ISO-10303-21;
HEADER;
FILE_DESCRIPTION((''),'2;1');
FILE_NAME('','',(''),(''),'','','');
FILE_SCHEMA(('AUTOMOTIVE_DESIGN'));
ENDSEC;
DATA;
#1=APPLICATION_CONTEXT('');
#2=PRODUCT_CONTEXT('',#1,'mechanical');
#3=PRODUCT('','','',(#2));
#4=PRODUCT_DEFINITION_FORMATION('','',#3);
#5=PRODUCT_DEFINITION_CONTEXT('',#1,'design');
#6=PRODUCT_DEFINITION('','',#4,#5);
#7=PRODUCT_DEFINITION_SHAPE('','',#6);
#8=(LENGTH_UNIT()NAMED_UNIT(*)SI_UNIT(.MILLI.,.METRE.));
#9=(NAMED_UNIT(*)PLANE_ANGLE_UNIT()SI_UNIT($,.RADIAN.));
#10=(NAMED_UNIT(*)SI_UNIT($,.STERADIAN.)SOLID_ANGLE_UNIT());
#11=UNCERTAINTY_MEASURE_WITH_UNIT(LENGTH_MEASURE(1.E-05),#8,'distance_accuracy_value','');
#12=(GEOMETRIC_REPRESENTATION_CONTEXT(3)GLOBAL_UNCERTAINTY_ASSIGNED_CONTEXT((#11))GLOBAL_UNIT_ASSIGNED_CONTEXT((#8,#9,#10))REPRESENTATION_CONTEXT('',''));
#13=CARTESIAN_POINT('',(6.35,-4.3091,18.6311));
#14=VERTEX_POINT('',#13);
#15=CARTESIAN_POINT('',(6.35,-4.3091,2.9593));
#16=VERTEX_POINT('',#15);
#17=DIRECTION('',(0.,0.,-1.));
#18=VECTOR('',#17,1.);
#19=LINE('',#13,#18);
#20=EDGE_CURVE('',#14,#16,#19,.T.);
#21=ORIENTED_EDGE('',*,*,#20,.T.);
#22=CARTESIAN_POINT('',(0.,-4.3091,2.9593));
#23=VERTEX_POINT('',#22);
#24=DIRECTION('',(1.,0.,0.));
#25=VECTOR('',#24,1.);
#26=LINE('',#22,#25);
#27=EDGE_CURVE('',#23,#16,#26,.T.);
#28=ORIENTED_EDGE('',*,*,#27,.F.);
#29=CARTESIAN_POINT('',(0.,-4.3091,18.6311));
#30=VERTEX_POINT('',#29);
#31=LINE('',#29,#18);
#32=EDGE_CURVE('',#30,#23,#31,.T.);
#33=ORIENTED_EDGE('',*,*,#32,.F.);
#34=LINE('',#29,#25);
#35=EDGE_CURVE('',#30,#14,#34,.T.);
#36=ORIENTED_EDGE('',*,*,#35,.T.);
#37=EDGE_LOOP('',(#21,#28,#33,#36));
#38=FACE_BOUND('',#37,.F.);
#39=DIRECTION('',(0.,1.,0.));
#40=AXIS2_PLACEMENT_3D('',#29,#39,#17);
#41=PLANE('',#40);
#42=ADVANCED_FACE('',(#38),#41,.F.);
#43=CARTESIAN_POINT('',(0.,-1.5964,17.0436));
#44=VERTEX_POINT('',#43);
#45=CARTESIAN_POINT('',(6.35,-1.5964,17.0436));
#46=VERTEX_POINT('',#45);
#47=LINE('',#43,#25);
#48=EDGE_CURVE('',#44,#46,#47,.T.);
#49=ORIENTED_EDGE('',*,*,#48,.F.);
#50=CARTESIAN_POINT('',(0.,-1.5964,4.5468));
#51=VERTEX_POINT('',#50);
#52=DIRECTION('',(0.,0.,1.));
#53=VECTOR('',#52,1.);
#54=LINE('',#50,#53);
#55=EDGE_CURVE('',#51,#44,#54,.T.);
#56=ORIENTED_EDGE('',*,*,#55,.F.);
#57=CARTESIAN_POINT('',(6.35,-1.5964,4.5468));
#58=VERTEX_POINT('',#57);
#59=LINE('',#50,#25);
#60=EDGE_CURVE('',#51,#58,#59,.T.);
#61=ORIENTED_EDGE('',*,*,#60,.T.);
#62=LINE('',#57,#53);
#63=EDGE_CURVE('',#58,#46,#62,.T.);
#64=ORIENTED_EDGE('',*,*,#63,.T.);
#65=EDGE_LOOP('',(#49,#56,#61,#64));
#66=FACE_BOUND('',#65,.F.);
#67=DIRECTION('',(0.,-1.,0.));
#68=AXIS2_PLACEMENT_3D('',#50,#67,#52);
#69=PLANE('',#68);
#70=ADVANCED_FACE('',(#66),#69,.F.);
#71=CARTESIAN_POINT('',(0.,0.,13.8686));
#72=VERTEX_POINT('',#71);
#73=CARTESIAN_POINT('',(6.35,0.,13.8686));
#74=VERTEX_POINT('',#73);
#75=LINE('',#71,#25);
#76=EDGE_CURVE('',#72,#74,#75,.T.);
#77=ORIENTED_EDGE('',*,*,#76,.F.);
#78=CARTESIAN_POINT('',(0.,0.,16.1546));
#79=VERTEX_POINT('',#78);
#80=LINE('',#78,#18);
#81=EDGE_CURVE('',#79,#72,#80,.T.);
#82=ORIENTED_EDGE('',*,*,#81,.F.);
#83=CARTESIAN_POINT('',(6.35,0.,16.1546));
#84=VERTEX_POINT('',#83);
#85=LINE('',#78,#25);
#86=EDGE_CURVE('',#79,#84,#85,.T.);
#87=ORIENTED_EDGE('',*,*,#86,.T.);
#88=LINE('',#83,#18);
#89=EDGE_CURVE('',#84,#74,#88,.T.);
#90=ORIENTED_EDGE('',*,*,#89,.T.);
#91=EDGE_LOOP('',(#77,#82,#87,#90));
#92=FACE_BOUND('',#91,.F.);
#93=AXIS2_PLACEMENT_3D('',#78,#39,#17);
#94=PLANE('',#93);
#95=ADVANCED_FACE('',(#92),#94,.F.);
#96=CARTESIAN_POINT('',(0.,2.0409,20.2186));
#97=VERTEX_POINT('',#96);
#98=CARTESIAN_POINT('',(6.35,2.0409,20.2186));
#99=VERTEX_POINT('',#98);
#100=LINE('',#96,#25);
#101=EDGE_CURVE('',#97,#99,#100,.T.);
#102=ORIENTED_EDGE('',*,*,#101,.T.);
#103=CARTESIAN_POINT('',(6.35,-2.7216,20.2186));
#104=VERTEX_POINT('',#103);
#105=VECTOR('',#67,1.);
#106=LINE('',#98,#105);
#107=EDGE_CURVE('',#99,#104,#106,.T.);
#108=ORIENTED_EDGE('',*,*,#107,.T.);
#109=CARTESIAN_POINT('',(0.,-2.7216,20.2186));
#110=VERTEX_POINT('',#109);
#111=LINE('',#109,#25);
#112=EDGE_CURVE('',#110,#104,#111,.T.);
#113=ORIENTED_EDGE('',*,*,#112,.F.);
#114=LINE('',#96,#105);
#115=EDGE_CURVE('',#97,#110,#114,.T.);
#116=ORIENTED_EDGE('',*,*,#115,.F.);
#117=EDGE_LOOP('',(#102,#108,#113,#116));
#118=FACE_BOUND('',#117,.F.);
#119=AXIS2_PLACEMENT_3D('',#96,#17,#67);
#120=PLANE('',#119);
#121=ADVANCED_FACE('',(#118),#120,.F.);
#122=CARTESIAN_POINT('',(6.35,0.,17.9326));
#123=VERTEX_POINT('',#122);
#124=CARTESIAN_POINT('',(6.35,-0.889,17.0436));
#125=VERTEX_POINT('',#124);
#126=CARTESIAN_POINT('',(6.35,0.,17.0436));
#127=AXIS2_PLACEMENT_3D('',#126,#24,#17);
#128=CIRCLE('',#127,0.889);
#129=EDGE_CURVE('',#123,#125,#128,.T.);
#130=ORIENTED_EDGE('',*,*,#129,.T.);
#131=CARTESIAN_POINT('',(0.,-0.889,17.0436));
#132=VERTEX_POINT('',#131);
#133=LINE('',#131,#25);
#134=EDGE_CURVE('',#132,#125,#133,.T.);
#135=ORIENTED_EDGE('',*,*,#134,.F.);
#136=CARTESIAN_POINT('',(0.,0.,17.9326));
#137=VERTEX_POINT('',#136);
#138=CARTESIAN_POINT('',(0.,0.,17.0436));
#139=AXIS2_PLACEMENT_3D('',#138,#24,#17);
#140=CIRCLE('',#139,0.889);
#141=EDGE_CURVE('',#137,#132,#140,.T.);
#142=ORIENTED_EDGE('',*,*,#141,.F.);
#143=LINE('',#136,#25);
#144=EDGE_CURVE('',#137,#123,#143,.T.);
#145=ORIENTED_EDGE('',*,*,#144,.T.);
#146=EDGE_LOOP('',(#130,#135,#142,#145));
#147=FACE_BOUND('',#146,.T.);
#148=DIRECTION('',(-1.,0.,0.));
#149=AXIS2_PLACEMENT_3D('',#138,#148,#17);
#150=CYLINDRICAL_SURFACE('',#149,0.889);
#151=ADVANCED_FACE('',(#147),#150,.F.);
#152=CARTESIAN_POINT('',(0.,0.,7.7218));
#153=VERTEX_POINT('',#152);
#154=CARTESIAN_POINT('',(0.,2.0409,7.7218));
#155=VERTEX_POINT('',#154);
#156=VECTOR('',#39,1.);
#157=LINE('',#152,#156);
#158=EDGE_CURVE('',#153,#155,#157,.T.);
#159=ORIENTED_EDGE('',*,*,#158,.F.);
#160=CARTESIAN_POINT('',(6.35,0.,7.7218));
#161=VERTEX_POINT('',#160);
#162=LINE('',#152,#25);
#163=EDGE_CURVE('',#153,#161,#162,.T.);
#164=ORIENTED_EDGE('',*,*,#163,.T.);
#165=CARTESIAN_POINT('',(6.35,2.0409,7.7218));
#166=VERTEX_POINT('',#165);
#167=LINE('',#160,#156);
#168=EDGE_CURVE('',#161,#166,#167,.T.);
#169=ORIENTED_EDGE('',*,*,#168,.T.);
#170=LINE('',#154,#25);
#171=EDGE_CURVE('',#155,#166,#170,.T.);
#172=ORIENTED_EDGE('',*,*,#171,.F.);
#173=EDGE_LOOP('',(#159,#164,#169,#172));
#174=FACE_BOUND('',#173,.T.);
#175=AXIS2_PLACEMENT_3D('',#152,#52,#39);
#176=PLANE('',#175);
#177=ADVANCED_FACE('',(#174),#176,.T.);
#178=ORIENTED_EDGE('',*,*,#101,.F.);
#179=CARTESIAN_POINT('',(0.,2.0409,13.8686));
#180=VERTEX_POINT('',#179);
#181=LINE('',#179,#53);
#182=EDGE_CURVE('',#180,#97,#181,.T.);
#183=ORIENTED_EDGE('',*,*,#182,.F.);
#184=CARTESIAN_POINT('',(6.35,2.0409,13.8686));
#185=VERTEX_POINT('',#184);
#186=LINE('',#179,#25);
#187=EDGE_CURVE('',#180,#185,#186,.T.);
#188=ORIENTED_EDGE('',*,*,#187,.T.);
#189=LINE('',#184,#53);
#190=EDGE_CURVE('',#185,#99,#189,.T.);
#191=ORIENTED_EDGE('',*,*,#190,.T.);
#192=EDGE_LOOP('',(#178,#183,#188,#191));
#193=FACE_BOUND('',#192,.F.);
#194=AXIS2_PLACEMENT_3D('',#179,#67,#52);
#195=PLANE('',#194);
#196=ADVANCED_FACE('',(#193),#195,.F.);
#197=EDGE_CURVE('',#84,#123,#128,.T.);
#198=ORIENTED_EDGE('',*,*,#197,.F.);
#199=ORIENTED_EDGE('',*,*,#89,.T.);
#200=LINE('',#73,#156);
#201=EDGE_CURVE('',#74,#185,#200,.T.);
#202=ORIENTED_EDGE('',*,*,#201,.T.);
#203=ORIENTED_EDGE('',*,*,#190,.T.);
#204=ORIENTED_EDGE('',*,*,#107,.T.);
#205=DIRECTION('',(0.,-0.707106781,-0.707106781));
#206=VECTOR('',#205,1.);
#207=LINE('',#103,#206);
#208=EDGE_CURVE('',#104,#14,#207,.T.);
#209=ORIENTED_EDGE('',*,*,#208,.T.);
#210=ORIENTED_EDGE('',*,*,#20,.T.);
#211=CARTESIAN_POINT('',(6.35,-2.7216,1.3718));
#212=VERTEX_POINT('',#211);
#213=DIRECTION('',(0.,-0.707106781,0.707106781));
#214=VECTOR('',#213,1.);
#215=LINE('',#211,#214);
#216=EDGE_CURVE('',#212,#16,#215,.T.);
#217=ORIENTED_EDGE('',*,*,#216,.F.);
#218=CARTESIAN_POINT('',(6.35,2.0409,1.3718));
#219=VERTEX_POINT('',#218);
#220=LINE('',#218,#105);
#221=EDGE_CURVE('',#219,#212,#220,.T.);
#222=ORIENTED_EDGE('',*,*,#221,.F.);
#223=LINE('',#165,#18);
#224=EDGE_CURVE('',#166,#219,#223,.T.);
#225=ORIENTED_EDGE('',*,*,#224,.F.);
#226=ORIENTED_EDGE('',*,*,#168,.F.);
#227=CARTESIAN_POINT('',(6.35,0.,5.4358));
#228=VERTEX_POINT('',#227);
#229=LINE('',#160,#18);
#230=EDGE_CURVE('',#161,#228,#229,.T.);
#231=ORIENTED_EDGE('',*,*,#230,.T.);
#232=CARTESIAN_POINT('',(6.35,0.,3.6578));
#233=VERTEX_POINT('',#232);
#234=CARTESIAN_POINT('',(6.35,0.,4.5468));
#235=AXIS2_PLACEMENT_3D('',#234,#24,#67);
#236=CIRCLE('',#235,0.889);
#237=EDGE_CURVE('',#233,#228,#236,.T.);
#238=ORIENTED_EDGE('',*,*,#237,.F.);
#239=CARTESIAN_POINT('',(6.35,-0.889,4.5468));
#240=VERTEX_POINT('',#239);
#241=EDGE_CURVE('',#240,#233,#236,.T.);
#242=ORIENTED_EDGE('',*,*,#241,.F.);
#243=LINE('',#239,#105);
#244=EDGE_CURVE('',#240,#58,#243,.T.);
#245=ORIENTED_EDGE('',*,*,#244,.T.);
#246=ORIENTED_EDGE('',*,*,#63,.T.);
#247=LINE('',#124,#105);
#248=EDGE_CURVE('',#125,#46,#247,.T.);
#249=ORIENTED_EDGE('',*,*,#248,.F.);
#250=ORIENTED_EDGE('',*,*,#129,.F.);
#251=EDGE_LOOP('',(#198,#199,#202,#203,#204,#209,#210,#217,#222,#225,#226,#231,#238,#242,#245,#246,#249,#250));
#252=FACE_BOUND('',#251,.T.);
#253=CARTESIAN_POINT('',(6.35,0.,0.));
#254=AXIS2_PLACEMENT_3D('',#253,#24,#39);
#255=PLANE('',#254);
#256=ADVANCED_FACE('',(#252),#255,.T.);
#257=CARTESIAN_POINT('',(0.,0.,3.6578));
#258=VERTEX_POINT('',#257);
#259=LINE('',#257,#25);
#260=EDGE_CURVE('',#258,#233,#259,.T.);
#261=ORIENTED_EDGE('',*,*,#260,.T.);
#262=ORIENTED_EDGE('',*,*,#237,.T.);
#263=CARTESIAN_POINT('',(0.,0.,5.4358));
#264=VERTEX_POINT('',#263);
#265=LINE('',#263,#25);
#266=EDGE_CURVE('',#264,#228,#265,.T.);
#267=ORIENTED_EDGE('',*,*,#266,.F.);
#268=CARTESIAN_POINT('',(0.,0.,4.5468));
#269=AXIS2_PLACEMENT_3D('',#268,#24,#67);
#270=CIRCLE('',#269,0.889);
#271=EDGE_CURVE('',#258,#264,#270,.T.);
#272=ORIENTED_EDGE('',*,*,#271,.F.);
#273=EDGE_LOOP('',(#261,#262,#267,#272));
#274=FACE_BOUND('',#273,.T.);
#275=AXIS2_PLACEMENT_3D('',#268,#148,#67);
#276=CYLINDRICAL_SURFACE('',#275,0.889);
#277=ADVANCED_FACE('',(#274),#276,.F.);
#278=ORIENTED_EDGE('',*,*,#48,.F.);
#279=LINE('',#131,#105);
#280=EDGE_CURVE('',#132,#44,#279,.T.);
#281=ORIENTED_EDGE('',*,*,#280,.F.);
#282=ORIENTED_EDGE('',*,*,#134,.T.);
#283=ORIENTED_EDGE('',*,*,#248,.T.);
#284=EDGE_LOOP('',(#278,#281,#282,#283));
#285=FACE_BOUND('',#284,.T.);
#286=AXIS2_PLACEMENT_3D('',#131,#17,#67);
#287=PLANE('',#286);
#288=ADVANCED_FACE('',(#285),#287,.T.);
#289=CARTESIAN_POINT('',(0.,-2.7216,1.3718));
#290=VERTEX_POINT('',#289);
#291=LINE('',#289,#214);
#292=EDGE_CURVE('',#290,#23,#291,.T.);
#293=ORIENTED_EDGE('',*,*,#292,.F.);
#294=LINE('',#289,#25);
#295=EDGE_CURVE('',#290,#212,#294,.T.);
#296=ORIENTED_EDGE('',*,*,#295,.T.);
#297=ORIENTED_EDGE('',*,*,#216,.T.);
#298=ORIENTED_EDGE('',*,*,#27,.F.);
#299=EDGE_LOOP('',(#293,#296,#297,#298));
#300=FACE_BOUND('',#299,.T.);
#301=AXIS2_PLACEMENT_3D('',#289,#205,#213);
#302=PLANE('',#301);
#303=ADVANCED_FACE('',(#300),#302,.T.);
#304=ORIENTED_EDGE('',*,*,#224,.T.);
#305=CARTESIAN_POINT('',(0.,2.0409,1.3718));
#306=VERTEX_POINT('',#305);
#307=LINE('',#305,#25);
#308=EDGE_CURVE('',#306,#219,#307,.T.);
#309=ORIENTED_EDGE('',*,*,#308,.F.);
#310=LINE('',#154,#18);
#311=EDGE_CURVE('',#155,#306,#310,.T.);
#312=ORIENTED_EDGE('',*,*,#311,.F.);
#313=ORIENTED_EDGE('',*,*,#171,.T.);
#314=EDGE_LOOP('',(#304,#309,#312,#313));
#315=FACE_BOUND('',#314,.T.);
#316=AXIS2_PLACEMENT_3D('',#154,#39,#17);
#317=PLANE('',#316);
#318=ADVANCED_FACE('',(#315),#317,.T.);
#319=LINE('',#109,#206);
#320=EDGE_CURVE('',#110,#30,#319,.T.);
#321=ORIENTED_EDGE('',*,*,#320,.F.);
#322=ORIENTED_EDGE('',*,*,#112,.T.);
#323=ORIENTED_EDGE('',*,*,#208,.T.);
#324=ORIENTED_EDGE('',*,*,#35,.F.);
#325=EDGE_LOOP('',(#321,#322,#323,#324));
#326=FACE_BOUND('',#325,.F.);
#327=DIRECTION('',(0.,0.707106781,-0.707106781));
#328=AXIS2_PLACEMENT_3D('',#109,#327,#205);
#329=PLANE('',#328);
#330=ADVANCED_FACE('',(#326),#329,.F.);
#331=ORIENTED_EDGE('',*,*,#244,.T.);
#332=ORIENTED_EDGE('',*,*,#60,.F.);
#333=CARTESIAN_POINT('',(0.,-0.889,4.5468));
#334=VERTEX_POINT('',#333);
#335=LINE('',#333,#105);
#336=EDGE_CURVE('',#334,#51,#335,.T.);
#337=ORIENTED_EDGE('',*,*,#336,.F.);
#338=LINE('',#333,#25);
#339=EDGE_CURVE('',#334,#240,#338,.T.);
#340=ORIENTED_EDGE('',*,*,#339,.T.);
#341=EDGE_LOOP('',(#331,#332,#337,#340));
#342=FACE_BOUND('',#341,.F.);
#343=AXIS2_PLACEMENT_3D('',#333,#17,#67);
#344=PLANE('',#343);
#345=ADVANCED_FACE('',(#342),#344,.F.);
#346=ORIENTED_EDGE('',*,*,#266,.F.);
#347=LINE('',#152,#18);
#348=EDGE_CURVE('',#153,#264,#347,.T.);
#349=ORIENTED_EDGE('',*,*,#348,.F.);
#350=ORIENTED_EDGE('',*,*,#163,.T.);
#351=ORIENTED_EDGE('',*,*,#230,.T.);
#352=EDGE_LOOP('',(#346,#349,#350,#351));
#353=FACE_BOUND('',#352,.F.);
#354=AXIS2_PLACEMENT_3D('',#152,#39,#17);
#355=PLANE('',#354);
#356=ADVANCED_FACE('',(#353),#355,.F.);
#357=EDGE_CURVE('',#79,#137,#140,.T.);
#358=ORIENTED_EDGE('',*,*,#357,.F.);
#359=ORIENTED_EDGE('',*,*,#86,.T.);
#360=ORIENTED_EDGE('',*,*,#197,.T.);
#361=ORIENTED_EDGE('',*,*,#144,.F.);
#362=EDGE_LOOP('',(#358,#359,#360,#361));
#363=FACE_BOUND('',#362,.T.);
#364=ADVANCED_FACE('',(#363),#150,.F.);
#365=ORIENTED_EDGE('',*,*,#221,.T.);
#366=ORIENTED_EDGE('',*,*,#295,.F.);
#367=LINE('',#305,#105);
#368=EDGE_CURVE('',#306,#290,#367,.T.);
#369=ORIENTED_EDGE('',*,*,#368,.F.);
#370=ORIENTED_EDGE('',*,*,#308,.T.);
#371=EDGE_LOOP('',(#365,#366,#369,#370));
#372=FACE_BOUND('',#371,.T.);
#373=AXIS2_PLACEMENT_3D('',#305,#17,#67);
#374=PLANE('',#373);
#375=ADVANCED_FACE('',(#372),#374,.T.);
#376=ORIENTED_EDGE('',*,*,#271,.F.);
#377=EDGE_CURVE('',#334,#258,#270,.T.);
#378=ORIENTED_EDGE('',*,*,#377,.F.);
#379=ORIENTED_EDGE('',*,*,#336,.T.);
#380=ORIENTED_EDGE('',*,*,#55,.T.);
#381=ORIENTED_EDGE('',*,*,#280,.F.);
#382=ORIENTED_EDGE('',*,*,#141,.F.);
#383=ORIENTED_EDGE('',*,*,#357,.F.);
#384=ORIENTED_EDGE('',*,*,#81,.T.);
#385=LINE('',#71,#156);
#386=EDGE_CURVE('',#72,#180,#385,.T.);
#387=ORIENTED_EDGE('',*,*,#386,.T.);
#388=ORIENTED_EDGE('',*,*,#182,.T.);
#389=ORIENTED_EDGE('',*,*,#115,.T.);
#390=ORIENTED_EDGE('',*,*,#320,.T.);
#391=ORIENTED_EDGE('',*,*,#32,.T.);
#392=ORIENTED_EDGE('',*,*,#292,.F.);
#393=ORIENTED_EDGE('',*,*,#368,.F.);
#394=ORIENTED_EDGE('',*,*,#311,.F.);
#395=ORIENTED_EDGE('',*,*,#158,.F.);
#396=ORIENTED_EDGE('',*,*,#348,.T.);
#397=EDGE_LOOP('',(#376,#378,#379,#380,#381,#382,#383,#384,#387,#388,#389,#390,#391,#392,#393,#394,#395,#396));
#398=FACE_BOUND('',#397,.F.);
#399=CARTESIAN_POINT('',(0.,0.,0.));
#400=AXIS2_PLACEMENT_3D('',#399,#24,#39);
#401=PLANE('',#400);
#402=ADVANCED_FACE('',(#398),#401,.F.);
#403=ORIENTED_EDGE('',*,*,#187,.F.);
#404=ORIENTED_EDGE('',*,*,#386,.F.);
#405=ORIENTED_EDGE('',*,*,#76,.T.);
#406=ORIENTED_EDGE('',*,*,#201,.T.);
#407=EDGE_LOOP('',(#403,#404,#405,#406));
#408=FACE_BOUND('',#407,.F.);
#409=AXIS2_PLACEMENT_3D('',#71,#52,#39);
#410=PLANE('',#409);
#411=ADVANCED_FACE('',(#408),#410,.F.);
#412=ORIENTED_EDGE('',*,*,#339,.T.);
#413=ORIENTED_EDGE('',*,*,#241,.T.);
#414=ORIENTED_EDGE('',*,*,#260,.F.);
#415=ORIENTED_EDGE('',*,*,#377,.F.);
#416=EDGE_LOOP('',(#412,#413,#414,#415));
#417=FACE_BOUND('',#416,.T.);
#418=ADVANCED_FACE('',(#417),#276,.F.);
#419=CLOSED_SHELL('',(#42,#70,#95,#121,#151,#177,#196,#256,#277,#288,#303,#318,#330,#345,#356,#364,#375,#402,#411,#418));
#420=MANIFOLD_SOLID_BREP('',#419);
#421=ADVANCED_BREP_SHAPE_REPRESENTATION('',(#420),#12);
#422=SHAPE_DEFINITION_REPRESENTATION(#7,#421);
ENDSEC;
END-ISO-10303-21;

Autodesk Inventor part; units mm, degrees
ref_plane "YZ Plane" through (0, 0, 0) normal (1, 0, 0) x (0, 1, 0)
ref_plane "XZ Plane" through (0, 0, 0) normal (0, 1, 0) x (-1, 0, 0)
ref_plane "XY Plane" through (0, 0, 0) normal (0, 0, 1) x (1, 0, 0)
sketch "Sketch1" plane through (0, 0, 0) normal (1, 0, 0) x (0, 1, 0)
  arc A0 (0, 16.1546) -> (-0.889, 17.0436) centre (0, 17.0436) ccw
  arc A1 (-0.889, 4.5468) -> (0, 5.4358) centre (0, 4.5468) ccw
  line L0 (0, 13.8686) -> (2.0409, 13.8686)
  line L1 (0, 7.7218) -> (2.0409, 7.7218)
  line L2 (2.0409, 7.7218) -> (2.0409, 1.3718)
  line L3 (2.0409, 1.3718) -> (-2.7216, 1.3718)
  line L4 (2.0409, 13.8686) -> (2.0409, 20.2186)
  line L5 (2.0409, 20.2186) -> (-2.7216, 20.2186)
  line L6 (-4.3091, 18.6311) -> (-4.3091, 2.9593)
  line L7 (-2.7216, 20.2186) -> (-4.3091, 18.6311)
  line L8 (-2.7216, 1.3718) -> (-4.3091, 2.9593)
  line L9 (0, 3.6578) -> (-1.5964, 3.6578)
  line L10 (-1.5964, 4.5468) -> (-1.5964, 17.0436)
  line L11 (-1.5964, 17.9326) -> (0, 17.9326)
  line L12 (0, 16.1546) -> (0, 13.8686)
  line L13 (0, 7.7218) -> (0, 5.4358)
  line L14 (-0.889, 4.5468) -> (-1.5964, 4.5468)
  line L15 (-0.889, 17.0436) -> (-1.5964, 17.0436)
  point P0 (0, 0)
  point P1 (-4.3091, 1.3718)
  point P2 (-4.3091, 20.2186)
  dimension "d0" = 14.2748
  dimension "d1" = 1.778
  dimension "d2" = 0.889
  dimension "d3" = 1.778
  dimension "d4" = 0.889
  dimension "d5" = 3.175
  dimension "d6" = 3.175
  dimension "d7" = 6.35
  dimension "d8" = 6.35
  dimension "d9" = 6.35
  dimension "d10" = 1.5875
  dimension "d11" = 1.5875
  dimension "d12" = 1.5875
  dimension "d13" = 1.5875
extrude "Extrusion1" add sketch "Sketch1" along normal blind 6.35
equation "\"d11\" = d10"
equation "\"d12\" = d10"
equation "\"d13\" = d12"
properties part number "led_clip_v2"
